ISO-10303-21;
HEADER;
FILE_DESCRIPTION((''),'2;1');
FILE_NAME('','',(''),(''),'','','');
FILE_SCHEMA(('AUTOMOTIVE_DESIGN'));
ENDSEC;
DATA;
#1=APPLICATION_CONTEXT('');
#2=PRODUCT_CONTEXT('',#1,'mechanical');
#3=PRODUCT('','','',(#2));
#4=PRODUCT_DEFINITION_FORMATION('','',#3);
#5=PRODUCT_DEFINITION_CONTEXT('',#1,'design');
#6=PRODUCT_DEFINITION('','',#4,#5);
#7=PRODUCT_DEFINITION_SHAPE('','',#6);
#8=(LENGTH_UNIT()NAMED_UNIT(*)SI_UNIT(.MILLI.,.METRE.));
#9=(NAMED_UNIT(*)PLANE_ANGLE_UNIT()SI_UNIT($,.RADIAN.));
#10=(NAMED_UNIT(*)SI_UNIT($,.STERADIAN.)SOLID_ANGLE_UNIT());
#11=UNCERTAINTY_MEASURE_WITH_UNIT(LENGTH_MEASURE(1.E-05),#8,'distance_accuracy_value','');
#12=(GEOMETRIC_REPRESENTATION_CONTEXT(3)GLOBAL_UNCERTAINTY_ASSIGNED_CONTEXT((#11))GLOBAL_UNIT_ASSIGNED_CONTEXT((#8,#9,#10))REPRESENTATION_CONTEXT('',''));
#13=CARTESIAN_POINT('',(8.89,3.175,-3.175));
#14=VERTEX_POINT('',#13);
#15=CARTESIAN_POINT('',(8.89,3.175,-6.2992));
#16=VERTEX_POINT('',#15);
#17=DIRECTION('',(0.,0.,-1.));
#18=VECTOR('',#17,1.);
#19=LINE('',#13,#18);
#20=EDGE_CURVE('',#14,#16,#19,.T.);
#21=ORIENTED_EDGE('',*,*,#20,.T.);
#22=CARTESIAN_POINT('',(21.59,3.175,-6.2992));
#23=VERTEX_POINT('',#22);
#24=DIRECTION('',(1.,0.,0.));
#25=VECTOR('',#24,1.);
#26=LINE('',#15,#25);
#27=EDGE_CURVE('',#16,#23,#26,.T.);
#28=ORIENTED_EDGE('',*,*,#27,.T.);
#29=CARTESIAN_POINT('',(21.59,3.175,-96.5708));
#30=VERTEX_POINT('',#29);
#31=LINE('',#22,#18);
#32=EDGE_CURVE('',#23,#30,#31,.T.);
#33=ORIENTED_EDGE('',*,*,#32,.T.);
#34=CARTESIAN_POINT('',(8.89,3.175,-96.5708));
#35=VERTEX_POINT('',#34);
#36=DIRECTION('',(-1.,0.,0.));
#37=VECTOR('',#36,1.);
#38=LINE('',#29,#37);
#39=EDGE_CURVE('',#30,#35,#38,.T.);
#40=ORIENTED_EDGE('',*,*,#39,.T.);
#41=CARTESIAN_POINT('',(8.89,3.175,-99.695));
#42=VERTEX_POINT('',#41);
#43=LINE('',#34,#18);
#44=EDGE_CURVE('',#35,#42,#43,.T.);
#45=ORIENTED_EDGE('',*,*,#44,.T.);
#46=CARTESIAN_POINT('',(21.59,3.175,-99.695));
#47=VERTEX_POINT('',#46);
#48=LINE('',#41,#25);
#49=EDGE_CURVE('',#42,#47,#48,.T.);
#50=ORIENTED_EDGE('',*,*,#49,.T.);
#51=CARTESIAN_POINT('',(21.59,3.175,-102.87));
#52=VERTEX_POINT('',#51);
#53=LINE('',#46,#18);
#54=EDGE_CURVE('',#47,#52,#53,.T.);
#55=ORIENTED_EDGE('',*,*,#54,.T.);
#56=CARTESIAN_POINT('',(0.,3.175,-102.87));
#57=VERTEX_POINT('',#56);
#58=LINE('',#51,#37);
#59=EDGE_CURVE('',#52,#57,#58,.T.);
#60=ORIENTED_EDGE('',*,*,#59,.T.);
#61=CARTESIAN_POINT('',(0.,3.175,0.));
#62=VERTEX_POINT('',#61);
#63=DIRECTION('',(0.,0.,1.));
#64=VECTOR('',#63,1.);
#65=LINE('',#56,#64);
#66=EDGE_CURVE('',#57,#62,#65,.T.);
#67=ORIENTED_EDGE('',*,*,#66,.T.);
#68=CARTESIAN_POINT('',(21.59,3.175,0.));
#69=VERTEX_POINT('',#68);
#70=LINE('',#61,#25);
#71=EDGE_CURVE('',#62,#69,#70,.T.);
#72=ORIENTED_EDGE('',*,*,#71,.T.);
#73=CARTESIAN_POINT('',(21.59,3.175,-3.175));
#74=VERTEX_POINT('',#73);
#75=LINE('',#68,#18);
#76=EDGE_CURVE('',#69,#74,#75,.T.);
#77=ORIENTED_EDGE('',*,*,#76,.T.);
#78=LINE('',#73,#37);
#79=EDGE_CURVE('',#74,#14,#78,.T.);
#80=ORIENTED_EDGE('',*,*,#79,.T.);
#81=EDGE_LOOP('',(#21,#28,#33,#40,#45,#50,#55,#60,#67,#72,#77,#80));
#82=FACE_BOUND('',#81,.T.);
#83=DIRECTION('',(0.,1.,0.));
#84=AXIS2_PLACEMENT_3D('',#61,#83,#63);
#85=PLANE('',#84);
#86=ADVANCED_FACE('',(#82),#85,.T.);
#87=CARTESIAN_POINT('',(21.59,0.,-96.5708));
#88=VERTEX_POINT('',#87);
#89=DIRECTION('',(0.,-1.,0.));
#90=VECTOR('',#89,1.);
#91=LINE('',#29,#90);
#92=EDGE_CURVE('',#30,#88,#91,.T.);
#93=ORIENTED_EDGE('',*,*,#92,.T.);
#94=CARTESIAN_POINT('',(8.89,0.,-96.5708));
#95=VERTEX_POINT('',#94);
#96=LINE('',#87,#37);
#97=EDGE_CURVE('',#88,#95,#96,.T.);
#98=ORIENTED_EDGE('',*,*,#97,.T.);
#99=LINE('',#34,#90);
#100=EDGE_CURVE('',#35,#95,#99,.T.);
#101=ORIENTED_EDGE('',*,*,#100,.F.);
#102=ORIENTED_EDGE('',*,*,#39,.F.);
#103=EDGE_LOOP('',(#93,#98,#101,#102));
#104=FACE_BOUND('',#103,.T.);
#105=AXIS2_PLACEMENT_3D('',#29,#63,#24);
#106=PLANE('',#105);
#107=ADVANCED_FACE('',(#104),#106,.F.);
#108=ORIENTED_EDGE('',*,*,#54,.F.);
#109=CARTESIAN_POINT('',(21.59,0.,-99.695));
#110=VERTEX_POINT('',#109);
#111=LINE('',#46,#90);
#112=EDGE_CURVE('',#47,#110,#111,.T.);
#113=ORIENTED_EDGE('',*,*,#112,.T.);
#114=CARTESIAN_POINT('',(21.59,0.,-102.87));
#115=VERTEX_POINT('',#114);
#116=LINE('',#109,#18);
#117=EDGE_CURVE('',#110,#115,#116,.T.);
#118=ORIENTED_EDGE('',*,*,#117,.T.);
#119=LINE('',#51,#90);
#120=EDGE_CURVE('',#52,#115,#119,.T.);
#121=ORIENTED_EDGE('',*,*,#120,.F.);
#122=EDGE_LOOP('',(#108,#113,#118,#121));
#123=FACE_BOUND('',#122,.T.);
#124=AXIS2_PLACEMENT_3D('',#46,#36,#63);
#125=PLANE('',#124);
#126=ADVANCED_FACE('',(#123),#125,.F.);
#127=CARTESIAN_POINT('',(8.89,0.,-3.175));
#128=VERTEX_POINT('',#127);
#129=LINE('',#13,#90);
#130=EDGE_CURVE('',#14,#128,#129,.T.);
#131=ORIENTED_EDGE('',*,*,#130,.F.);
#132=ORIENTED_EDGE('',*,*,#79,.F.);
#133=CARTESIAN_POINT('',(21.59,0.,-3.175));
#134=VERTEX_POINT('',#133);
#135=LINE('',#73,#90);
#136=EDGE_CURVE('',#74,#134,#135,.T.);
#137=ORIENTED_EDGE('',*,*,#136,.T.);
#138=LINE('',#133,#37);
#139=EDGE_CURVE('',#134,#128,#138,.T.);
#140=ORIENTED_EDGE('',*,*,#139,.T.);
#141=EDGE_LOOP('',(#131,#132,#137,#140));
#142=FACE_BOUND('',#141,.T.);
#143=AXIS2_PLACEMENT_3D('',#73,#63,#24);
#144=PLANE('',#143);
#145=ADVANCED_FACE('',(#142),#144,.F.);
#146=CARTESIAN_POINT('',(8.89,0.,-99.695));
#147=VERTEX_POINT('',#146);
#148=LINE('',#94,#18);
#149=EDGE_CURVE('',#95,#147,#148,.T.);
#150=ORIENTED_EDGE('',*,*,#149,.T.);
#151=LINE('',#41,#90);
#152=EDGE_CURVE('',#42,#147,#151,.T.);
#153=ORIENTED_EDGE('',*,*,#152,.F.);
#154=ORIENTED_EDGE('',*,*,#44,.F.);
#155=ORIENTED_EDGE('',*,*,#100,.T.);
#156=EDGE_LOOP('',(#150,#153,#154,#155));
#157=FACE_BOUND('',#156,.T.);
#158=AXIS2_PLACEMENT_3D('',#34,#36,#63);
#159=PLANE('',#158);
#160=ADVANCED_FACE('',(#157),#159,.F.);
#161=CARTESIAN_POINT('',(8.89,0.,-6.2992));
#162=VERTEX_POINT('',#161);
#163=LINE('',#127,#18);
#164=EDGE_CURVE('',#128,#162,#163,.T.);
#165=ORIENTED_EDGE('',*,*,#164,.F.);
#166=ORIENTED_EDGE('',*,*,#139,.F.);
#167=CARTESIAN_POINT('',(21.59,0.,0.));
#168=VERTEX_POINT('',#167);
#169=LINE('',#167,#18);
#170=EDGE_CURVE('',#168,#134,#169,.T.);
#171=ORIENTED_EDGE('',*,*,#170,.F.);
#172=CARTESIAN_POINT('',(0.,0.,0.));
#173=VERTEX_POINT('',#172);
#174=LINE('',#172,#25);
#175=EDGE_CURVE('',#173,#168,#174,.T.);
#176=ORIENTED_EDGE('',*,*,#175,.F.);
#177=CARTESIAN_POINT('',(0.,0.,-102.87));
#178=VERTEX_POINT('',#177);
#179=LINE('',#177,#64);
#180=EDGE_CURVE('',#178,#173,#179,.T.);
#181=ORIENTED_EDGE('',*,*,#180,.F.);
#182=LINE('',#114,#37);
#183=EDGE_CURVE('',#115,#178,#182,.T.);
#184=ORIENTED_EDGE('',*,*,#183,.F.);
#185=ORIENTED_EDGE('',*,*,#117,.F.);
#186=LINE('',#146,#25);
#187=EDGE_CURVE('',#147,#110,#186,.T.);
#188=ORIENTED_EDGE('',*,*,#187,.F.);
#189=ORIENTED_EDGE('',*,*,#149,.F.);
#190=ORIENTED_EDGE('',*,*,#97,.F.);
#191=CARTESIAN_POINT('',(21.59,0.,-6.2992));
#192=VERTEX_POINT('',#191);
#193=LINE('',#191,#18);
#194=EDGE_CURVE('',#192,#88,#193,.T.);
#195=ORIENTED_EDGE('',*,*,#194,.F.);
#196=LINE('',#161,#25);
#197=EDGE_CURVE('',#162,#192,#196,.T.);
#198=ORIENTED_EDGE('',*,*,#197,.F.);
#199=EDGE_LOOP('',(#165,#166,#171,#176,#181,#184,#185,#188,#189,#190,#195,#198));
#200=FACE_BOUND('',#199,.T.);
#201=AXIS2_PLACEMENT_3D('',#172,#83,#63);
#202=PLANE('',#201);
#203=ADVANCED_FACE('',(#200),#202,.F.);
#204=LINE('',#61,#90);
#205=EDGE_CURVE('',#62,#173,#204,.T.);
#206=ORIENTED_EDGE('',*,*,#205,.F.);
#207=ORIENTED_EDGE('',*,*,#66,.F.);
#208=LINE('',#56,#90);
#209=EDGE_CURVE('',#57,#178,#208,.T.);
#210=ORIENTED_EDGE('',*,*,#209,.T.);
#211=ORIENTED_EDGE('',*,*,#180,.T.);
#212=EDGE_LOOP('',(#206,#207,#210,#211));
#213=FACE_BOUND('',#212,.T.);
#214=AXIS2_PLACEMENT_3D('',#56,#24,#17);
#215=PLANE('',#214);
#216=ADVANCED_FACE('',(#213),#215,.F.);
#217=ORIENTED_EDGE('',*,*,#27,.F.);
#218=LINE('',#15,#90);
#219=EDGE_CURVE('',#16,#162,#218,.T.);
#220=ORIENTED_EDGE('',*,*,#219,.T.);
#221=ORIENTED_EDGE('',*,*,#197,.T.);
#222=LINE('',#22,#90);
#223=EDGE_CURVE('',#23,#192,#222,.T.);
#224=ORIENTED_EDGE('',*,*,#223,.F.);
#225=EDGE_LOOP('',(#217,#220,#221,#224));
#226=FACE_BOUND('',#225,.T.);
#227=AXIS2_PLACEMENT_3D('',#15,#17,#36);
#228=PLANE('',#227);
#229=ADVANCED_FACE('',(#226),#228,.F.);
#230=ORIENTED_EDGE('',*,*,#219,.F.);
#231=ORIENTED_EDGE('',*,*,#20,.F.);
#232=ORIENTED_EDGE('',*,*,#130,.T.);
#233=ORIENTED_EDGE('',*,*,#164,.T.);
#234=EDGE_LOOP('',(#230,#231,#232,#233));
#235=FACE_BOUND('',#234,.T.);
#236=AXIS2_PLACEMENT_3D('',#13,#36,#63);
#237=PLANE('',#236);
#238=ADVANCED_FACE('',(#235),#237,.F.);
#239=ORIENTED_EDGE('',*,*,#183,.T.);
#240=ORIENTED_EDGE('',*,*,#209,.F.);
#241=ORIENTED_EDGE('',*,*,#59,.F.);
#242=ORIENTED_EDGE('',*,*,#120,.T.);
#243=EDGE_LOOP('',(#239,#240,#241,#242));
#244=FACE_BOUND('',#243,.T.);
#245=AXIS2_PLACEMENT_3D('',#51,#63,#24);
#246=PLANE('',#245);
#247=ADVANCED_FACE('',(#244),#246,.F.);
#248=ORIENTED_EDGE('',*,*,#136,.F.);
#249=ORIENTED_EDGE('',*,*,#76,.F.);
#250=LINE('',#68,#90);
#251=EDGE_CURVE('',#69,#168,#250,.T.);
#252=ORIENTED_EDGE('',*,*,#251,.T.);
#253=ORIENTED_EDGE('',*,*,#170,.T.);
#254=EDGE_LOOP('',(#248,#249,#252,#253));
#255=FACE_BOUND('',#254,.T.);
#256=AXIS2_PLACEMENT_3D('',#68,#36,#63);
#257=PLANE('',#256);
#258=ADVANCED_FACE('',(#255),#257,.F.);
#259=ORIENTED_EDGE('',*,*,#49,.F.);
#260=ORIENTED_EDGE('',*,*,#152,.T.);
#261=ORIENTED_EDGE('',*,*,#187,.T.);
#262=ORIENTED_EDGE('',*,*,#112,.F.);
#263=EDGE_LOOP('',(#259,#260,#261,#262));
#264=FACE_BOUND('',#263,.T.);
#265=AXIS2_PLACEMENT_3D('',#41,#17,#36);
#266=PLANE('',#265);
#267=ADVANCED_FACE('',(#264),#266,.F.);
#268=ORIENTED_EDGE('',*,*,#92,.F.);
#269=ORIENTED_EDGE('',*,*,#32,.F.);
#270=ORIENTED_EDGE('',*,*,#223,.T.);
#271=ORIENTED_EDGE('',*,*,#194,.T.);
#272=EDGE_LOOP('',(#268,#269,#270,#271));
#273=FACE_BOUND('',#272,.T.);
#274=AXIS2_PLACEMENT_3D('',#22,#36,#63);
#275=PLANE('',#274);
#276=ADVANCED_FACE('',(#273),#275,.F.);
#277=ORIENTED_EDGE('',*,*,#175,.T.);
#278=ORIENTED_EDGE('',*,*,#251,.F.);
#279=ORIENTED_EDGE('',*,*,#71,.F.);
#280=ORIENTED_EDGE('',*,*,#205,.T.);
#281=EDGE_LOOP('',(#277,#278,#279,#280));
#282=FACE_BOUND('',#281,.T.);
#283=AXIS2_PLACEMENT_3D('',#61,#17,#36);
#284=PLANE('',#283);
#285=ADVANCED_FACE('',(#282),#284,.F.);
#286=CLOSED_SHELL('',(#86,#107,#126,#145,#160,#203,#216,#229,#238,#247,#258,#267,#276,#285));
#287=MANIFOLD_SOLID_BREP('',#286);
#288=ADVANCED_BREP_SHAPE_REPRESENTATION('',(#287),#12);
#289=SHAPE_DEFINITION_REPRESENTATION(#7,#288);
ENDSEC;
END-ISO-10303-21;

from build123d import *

# Parameters (mm, degrees)
BOSS_EXTRUDE1_DEPTH = 3.175


with BuildPart() as part:
    # Sketch1 → Boss-Extrude1 (new body)
    with BuildSketch(Plane(origin=(0, 0, 0), x_dir=(1, 0, 0), z_dir=(0, 1, 0))):
        Polygon((0, 0), (21.59, 0), (21.59, 3.175), (8.89, 3.175), (8.89, 6.2992), (21.59, 6.2992), (21.59, 96.5708), (8.89, 96.5708), (8.89, 99.695), (21.59, 99.695), (21.59, 102.87), (0, 102.87), align=None)
    extrude(amount=BOSS_EXTRUDE1_DEPTH)


solid = part.part
